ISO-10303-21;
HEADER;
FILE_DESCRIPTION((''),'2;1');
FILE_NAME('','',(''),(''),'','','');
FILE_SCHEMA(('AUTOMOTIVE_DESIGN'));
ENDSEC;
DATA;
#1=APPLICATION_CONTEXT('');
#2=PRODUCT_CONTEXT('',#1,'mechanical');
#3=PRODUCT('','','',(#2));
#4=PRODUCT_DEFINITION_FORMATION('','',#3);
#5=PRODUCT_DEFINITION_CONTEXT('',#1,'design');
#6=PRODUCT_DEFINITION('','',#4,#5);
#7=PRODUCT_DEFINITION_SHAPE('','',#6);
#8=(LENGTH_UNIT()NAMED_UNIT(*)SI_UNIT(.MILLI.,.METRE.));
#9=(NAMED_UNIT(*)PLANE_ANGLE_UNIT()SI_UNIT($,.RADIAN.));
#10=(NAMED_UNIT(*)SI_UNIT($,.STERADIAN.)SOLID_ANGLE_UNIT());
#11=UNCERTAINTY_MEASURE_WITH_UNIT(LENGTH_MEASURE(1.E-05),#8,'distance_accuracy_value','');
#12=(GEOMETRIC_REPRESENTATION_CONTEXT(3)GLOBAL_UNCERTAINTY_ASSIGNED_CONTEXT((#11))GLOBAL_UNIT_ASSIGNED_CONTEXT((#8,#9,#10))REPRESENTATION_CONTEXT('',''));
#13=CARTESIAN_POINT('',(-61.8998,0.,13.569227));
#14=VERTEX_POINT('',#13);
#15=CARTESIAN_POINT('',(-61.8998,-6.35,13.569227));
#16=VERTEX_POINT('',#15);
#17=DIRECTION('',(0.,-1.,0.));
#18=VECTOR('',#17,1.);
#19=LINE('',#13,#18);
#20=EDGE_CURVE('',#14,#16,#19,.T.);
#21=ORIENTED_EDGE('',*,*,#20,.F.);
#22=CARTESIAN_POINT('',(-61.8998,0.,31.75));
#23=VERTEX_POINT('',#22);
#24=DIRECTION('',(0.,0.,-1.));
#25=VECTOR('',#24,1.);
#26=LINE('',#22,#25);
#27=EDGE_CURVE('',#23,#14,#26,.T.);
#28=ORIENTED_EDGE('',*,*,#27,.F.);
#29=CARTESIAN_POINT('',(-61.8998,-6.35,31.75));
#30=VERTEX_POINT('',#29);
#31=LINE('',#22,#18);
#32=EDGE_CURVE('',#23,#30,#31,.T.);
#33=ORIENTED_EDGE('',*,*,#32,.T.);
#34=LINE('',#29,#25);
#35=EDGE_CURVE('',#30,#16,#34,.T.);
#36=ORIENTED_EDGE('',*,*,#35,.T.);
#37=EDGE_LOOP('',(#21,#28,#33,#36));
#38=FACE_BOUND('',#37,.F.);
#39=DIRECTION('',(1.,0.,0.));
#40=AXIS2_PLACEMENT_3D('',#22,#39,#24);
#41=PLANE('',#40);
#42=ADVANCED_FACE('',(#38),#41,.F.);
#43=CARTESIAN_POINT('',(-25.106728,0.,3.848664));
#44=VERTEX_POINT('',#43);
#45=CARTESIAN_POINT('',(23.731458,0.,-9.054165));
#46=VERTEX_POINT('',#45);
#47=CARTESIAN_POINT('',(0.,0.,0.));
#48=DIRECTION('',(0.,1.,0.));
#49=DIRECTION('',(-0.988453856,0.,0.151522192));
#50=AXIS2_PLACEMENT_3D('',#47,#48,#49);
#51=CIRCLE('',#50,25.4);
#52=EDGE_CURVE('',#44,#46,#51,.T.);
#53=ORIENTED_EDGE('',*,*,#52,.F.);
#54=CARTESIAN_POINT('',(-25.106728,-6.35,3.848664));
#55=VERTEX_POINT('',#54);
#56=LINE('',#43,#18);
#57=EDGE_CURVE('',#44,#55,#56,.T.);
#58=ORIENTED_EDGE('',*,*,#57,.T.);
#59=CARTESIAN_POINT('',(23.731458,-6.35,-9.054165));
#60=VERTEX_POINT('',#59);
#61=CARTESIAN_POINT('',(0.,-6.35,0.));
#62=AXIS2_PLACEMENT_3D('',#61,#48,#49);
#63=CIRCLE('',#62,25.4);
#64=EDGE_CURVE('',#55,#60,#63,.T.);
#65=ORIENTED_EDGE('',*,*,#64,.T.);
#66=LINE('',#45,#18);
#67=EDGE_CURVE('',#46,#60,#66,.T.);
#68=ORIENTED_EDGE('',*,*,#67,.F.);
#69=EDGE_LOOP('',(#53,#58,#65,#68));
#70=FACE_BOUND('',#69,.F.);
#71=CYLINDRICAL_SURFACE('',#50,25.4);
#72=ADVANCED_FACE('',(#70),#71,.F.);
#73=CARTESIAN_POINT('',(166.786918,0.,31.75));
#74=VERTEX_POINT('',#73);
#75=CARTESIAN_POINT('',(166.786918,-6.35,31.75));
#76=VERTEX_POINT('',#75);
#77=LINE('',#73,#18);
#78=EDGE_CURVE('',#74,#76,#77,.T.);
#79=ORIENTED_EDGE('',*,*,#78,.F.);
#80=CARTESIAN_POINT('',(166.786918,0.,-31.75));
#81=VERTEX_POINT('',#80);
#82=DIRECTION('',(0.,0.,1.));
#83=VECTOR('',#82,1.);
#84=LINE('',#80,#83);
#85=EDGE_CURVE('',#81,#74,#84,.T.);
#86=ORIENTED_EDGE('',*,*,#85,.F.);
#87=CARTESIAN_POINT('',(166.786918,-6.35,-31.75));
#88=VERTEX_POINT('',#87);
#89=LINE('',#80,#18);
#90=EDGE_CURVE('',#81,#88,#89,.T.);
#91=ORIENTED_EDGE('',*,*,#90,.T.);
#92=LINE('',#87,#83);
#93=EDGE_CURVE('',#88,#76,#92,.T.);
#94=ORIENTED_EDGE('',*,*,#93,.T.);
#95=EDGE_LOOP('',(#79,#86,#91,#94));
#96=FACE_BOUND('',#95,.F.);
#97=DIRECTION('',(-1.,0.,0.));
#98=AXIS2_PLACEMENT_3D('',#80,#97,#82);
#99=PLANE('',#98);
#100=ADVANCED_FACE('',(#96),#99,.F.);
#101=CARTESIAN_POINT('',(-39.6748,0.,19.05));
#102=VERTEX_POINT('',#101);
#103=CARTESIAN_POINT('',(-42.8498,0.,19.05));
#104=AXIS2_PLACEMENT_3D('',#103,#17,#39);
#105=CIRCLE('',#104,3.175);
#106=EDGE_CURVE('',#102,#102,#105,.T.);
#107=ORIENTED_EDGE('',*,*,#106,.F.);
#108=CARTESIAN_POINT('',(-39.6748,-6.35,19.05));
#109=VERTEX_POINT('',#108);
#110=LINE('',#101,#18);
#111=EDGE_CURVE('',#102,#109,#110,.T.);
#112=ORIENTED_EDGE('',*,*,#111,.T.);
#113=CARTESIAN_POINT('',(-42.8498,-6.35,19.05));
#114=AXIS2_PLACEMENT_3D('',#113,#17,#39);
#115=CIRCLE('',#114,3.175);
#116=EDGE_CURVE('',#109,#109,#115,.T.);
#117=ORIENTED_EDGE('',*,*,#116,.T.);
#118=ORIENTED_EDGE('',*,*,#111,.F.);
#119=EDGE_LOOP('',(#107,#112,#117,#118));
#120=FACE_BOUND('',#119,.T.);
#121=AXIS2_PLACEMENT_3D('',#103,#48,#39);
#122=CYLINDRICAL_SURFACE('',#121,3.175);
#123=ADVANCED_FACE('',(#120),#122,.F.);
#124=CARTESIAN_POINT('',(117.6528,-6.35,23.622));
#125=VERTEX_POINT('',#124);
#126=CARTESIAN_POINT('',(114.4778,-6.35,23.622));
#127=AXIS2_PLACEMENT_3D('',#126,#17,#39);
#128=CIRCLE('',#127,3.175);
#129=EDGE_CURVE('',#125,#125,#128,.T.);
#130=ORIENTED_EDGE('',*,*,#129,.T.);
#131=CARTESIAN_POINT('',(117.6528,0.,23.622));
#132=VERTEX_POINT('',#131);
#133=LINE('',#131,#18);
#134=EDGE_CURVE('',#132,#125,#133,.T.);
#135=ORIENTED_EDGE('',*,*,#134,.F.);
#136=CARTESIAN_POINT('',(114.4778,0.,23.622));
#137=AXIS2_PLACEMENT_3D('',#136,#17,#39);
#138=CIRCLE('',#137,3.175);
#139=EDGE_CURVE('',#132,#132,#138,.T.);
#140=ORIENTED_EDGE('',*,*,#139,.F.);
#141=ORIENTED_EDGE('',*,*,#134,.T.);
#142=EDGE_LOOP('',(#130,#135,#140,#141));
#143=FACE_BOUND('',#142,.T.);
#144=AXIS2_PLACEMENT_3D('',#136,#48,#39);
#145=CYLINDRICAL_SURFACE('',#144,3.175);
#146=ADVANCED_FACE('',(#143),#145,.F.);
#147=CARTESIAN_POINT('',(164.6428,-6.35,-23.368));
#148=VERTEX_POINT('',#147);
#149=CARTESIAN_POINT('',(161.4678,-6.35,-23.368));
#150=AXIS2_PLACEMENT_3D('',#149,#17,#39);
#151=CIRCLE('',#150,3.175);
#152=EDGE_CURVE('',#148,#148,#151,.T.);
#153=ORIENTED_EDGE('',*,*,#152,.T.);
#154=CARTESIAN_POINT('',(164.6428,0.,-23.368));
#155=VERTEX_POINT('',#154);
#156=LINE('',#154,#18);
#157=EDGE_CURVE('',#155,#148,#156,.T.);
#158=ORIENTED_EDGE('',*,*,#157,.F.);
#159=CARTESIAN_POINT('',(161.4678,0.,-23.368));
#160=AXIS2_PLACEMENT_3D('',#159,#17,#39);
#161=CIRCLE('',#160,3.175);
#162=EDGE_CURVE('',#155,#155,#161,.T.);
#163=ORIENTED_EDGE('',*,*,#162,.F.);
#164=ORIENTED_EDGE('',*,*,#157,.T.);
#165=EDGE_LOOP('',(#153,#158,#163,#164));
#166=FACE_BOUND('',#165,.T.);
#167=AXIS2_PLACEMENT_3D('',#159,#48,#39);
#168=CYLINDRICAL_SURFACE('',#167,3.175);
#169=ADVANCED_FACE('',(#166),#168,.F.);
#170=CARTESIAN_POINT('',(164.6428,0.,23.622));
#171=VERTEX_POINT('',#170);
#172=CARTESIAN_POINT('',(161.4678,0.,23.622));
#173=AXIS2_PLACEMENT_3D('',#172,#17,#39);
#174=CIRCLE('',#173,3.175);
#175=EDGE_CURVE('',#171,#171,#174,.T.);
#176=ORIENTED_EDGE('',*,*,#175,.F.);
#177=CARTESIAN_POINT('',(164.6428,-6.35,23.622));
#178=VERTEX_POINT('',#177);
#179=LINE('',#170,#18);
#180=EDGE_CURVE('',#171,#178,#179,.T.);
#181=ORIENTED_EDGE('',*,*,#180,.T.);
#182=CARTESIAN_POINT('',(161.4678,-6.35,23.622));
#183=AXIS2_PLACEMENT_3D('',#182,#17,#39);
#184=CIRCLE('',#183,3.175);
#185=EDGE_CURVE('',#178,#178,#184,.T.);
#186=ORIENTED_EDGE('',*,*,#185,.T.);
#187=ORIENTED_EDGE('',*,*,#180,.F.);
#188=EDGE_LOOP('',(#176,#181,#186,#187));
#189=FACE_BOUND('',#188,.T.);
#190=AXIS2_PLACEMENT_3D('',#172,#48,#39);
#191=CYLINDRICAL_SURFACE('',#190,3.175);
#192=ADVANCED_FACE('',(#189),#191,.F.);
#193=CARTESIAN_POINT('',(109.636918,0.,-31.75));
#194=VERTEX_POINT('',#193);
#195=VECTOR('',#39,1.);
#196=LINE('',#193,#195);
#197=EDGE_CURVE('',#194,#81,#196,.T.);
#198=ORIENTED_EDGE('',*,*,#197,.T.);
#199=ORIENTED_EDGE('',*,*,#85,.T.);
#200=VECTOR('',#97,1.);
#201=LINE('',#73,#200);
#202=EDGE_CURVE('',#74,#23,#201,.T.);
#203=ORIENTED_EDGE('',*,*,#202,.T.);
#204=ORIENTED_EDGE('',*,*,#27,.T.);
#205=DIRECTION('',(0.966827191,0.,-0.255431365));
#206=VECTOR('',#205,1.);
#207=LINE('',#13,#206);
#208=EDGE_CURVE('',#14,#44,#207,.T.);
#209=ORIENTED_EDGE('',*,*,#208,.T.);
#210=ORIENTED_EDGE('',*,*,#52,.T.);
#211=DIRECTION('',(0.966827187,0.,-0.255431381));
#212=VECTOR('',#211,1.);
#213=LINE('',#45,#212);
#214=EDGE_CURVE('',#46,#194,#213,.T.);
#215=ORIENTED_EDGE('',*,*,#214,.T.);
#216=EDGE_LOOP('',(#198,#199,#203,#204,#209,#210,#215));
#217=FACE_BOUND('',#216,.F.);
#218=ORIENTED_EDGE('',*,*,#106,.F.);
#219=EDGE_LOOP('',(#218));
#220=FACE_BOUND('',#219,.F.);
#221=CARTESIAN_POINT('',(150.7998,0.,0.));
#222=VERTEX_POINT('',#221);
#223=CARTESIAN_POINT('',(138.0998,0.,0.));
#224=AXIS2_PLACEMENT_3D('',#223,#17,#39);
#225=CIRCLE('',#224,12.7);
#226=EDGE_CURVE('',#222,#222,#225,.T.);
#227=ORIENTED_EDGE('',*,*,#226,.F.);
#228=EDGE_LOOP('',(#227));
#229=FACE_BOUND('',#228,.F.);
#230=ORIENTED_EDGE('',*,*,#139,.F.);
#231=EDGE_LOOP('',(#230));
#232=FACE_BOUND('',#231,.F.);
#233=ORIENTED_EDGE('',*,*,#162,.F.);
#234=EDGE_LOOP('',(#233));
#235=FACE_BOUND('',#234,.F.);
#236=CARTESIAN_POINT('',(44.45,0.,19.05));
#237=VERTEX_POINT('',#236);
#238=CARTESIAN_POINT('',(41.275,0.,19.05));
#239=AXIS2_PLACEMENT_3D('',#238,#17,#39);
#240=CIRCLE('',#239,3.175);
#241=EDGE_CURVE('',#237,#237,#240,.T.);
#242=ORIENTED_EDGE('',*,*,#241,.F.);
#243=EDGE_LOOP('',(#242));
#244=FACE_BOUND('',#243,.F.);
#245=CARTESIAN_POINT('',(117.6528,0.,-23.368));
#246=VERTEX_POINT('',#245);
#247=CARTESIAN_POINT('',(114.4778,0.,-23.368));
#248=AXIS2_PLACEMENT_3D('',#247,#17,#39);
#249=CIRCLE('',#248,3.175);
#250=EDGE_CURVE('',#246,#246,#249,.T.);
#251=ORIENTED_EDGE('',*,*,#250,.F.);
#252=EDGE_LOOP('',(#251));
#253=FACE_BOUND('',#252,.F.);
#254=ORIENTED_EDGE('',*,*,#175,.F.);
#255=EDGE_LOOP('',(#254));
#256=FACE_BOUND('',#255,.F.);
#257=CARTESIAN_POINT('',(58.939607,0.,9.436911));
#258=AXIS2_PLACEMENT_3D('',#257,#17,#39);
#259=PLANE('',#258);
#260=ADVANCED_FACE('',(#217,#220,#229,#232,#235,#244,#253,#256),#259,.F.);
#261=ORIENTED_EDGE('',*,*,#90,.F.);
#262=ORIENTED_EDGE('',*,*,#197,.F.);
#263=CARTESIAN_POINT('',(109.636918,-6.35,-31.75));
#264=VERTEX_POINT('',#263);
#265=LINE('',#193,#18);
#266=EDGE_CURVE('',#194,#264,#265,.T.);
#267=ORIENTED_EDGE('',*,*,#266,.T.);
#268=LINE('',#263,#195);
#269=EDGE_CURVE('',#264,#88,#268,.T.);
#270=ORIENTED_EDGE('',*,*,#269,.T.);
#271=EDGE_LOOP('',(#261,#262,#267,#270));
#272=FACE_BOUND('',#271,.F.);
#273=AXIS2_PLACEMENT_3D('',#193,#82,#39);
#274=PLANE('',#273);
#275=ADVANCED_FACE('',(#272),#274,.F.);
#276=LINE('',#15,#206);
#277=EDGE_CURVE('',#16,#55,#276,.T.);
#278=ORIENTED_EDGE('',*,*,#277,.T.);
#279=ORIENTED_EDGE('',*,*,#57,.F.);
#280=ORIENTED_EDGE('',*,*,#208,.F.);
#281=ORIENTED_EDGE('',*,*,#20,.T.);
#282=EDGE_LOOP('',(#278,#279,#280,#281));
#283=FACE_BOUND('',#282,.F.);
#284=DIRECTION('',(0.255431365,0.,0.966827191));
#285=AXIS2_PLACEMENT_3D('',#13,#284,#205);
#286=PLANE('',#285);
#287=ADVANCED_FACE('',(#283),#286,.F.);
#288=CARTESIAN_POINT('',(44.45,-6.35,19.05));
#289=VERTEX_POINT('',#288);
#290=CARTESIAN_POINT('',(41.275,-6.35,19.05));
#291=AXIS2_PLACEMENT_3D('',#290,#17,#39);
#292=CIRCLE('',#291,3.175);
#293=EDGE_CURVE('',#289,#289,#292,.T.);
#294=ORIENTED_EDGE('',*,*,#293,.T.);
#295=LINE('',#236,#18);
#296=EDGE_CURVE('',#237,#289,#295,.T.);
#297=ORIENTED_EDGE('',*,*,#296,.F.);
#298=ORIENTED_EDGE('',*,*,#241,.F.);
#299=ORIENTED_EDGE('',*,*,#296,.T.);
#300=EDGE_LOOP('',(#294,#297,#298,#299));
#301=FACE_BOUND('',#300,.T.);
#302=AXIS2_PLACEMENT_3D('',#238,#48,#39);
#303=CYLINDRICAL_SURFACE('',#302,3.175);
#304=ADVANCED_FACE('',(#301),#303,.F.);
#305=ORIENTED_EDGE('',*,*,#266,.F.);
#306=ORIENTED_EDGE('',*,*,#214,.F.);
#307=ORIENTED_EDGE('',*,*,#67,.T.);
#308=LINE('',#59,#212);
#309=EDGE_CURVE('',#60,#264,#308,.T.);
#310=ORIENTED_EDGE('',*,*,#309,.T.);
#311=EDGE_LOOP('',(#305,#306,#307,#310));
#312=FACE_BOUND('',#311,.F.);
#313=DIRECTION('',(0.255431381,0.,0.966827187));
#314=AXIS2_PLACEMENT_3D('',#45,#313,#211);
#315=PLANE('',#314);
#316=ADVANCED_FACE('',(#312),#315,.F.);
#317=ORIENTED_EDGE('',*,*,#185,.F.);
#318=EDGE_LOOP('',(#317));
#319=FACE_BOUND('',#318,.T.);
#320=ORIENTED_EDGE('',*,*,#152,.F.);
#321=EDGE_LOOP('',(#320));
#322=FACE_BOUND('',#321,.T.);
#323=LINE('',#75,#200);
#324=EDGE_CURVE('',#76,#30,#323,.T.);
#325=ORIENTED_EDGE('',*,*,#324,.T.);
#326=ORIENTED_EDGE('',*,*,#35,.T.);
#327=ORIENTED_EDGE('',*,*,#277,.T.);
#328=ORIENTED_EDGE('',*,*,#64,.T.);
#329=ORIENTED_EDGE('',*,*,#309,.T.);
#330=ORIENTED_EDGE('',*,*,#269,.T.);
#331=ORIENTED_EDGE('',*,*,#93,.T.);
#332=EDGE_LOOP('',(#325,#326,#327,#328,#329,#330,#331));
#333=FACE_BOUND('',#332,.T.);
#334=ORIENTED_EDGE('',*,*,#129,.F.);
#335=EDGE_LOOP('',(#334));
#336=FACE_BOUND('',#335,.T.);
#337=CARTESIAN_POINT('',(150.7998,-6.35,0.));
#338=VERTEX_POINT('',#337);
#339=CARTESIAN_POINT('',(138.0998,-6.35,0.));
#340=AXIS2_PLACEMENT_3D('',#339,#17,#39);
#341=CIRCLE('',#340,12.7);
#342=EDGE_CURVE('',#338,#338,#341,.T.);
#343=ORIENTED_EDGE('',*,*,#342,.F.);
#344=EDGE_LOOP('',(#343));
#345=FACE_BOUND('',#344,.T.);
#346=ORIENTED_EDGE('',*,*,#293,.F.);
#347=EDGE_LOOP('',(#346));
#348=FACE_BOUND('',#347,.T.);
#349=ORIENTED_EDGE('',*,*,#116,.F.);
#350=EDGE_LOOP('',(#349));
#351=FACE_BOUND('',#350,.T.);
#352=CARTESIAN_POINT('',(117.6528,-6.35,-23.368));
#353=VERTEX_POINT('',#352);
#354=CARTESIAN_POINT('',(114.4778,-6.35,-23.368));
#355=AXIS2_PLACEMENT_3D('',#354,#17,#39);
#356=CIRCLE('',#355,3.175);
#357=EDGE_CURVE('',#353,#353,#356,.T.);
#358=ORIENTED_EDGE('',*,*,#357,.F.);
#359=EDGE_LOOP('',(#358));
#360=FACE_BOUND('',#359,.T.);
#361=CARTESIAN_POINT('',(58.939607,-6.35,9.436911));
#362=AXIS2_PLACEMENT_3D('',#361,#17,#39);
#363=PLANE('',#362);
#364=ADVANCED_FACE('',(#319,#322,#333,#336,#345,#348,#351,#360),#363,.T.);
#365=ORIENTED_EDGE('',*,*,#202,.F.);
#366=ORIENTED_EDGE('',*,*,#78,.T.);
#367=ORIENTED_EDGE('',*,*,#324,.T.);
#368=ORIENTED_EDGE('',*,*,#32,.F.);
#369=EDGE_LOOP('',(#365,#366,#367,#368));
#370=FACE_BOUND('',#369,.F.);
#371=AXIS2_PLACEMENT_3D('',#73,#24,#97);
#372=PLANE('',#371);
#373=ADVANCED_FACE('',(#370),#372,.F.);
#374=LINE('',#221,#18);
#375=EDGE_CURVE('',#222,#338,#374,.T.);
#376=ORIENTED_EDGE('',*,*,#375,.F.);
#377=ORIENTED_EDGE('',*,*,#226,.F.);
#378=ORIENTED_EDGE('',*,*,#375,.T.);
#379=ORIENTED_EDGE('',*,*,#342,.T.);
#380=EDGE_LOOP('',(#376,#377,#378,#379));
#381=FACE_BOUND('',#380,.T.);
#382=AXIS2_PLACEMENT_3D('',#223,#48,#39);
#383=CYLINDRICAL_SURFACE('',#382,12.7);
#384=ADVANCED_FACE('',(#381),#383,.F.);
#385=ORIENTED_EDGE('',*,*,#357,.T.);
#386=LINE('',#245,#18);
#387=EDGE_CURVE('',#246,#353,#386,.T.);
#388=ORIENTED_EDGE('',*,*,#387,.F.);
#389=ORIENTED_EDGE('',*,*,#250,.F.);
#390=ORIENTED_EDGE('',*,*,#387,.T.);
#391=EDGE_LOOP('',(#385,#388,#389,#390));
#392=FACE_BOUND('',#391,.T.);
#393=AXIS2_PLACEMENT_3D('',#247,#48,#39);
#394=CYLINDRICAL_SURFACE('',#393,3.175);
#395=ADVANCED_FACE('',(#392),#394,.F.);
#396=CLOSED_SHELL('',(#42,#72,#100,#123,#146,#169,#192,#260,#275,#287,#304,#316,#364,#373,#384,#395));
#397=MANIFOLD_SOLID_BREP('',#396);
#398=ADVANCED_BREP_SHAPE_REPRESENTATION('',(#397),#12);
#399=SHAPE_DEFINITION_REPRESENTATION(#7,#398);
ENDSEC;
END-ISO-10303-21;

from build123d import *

# Parameters (mm, degrees)
F0_R     = 3.175
F0_R_2   = 12.7
F1_DEPTH = 6.35


with BuildPart() as f1:
    # F0 (on Front) → F1 (new body)
    with BuildSketch(Plane.XZ):
        with BuildLine():
            Line((166.786918, 31.75), (-61.8998, 31.75))
            Line((-61.8998, 31.75), (-61.8998, 13.569227))
            Line((-61.8998, 13.569227), (-25.106728, 3.848664))
            ThreePointArc((-25.106728, 3.848664), (6.487957, 24.557411), (23.731458, -9.054165))
            Line((23.731458, -9.054165), (109.636918, -31.75))
            Line((109.636918, -31.75), (166.786918, -31.75))
            Line((166.786918, -31.75), (166.786918, 31.75))
        make_face()
        with Locations((114.4778, -23.368)):
            Circle(F0_R, mode=Mode.SUBTRACT)
        with Locations((161.4678, -23.368)):
            Circle(F0_R, mode=Mode.SUBTRACT)
        with Locations((-42.8498, 19.05)):
            Circle(F0_R, mode=Mode.SUBTRACT)
        with Locations((41.275, 19.05)):
            Circle(F0_R, mode=Mode.SUBTRACT)
        with Locations((138.0998, 0)):
            Circle(F0_R_2, mode=Mode.SUBTRACT)
        with Locations((114.4778, 23.622)):
            Circle(F0_R, mode=Mode.SUBTRACT)
        with Locations((161.4678, 23.622)):
            Circle(F0_R, mode=Mode.SUBTRACT)
    extrude(amount=F1_DEPTH)


solid = f1.part
